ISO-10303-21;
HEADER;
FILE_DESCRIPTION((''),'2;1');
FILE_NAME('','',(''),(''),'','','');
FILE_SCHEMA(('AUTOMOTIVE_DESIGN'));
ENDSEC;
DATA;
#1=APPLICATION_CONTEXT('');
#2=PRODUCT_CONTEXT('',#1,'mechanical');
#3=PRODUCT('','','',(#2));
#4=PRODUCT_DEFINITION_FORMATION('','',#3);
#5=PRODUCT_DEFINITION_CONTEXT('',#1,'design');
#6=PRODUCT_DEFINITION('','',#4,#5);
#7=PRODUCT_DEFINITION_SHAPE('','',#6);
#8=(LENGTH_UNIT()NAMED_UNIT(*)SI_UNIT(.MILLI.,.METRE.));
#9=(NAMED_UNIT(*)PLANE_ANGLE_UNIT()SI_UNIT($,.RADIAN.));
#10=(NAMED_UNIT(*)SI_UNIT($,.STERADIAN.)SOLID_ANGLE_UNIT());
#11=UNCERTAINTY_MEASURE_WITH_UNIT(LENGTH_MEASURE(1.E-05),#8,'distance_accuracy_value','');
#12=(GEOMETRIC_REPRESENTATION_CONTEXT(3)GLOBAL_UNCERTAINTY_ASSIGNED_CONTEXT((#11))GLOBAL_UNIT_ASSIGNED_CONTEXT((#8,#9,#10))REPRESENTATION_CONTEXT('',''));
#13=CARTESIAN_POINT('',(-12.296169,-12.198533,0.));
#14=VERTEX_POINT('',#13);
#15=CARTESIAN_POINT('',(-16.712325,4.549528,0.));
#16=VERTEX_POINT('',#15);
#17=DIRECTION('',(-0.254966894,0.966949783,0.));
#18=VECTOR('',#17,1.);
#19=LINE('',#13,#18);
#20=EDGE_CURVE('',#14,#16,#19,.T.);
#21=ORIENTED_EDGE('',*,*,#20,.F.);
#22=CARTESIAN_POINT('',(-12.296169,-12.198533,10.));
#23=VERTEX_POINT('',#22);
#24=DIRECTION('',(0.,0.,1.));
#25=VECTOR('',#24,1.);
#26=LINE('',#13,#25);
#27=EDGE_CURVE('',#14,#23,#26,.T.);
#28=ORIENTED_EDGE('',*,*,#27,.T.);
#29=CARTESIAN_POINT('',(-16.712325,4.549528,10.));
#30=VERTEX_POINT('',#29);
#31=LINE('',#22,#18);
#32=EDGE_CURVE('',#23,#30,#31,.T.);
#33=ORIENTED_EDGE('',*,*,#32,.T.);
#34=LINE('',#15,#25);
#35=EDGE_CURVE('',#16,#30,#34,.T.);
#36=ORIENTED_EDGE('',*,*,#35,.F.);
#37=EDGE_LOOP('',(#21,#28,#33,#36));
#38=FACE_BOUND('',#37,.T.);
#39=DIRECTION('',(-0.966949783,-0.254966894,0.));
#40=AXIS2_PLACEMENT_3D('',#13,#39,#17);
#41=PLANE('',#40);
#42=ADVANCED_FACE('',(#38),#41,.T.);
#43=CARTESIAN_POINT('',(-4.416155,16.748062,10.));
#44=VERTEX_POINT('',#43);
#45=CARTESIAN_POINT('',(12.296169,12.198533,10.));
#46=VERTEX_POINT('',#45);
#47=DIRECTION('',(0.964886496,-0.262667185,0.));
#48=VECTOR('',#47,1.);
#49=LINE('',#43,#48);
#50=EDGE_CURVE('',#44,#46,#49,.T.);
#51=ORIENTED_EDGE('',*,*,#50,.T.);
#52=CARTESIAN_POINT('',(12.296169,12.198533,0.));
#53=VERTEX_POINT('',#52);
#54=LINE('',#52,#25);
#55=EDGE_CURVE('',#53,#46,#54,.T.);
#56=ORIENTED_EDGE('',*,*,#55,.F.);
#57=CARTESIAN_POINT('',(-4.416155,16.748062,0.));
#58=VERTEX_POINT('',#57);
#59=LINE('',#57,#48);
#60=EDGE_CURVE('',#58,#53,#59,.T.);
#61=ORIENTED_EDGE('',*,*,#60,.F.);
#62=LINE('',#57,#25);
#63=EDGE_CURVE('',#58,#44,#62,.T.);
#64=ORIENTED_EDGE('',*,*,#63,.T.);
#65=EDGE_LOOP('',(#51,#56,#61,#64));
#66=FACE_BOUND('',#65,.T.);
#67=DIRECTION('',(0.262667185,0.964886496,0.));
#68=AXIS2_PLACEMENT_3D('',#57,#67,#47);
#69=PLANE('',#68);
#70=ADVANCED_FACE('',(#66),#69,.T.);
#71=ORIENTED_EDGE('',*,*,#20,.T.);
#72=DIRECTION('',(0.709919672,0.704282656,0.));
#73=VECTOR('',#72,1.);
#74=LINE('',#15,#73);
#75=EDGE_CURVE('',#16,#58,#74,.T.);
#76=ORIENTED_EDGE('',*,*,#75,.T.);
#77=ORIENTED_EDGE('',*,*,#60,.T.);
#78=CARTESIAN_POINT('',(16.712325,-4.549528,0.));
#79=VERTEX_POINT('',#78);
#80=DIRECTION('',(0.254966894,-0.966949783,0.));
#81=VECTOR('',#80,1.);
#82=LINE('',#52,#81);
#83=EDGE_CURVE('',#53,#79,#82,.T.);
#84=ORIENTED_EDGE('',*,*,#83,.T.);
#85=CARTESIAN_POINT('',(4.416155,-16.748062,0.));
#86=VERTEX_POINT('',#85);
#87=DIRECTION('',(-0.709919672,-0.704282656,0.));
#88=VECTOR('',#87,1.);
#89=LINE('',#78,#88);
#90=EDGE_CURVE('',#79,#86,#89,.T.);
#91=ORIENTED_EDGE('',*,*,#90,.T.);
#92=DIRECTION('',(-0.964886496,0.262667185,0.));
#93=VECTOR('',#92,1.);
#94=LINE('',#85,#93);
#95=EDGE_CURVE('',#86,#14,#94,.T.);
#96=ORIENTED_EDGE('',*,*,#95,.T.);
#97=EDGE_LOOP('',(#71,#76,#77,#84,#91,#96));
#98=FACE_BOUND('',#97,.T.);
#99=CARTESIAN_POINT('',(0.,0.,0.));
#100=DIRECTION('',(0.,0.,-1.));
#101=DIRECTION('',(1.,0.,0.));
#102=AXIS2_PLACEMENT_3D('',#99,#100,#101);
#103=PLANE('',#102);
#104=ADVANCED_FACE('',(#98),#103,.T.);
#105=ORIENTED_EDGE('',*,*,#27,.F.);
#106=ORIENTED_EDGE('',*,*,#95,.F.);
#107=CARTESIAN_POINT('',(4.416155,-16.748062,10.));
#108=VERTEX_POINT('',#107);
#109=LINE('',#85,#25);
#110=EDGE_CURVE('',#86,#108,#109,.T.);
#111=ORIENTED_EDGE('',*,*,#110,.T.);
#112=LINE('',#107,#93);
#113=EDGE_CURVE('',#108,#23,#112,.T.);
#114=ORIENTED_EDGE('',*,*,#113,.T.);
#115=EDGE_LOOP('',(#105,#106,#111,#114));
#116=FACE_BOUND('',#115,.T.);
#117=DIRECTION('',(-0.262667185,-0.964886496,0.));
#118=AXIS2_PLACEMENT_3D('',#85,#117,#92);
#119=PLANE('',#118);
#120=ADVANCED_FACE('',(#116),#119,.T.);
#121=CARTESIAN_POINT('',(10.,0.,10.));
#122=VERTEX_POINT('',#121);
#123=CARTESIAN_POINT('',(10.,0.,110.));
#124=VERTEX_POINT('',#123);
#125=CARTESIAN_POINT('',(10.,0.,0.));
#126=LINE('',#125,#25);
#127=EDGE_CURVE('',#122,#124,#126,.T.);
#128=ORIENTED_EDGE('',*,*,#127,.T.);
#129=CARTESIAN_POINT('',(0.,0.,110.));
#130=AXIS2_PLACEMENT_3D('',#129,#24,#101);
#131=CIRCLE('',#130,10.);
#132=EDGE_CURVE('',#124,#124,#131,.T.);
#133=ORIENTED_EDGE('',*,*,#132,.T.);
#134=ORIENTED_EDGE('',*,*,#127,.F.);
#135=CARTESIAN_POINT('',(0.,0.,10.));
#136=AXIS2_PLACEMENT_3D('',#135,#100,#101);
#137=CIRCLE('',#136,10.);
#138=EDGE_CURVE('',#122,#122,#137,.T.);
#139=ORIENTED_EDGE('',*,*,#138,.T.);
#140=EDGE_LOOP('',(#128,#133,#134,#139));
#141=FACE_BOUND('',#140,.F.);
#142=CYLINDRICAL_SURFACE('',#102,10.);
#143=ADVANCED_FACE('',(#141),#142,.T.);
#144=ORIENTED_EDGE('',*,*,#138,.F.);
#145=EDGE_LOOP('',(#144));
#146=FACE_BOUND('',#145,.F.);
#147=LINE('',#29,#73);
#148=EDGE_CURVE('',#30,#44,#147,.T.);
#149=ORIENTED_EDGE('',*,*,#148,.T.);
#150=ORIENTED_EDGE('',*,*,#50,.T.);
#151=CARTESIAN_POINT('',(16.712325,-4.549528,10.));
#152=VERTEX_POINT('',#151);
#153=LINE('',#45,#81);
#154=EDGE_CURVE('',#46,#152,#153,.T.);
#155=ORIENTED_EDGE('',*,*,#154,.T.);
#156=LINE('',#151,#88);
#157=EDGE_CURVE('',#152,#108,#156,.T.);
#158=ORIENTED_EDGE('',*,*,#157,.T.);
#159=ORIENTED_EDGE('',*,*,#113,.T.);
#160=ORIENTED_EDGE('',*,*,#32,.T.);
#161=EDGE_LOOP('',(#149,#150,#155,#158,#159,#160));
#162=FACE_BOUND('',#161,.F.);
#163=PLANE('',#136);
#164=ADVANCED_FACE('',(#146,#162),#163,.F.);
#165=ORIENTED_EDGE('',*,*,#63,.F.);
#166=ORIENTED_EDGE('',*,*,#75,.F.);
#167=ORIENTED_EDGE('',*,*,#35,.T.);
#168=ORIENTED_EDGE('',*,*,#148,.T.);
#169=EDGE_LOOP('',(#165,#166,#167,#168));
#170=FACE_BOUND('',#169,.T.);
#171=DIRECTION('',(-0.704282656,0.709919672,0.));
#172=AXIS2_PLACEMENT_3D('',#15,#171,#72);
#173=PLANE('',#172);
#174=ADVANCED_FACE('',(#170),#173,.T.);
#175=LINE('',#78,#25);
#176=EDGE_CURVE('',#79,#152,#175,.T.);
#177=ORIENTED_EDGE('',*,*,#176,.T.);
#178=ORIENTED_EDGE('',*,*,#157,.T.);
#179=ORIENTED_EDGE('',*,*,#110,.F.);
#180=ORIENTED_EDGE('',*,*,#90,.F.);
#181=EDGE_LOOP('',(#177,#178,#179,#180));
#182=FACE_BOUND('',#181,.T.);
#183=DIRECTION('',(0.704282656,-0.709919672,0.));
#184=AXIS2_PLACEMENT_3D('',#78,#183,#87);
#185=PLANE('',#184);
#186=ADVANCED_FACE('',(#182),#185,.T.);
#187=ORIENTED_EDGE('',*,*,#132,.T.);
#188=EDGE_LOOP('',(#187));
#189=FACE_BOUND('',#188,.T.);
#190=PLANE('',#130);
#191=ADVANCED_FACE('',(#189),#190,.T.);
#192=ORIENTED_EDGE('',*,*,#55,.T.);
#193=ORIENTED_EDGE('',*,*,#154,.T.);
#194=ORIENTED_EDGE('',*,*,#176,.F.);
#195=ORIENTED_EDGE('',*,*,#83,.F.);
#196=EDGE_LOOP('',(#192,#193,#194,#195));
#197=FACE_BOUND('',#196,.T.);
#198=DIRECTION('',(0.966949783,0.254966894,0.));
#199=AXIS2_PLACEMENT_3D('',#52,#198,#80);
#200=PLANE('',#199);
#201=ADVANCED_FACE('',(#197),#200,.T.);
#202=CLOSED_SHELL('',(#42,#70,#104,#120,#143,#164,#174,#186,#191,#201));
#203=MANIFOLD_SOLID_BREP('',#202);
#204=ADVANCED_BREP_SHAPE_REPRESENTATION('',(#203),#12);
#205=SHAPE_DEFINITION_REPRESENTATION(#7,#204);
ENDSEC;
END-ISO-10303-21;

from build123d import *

# Parameters (mm, degrees)
F0_R     = 10
F1_DEPTH = 110
F2_R     = 10
F3_DEPTH = 10


with BuildPart() as f1:
    # F0 (on Top) → F1 (new body)
    with BuildSketch(Plane.XY):
        Circle(F0_R)
    extrude(amount=F1_DEPTH)

    # F2 (on face) → F3 (join)
    with BuildSketch(Plane(origin=(0, 0, 0), x_dir=(1, 0, 0), z_dir=(0, 0, -1))):
        Polygon((12.296169, -12.198533), (16.712325, 4.549528), (4.416155, 16.748062), (-12.296169, 12.198533), (-16.712325, -4.549528), (-4.416155, -16.748062), align=None)
        Circle(F2_R, mode=Mode.SUBTRACT)
    extrude(amount=-F3_DEPTH)


solid = f1.part
